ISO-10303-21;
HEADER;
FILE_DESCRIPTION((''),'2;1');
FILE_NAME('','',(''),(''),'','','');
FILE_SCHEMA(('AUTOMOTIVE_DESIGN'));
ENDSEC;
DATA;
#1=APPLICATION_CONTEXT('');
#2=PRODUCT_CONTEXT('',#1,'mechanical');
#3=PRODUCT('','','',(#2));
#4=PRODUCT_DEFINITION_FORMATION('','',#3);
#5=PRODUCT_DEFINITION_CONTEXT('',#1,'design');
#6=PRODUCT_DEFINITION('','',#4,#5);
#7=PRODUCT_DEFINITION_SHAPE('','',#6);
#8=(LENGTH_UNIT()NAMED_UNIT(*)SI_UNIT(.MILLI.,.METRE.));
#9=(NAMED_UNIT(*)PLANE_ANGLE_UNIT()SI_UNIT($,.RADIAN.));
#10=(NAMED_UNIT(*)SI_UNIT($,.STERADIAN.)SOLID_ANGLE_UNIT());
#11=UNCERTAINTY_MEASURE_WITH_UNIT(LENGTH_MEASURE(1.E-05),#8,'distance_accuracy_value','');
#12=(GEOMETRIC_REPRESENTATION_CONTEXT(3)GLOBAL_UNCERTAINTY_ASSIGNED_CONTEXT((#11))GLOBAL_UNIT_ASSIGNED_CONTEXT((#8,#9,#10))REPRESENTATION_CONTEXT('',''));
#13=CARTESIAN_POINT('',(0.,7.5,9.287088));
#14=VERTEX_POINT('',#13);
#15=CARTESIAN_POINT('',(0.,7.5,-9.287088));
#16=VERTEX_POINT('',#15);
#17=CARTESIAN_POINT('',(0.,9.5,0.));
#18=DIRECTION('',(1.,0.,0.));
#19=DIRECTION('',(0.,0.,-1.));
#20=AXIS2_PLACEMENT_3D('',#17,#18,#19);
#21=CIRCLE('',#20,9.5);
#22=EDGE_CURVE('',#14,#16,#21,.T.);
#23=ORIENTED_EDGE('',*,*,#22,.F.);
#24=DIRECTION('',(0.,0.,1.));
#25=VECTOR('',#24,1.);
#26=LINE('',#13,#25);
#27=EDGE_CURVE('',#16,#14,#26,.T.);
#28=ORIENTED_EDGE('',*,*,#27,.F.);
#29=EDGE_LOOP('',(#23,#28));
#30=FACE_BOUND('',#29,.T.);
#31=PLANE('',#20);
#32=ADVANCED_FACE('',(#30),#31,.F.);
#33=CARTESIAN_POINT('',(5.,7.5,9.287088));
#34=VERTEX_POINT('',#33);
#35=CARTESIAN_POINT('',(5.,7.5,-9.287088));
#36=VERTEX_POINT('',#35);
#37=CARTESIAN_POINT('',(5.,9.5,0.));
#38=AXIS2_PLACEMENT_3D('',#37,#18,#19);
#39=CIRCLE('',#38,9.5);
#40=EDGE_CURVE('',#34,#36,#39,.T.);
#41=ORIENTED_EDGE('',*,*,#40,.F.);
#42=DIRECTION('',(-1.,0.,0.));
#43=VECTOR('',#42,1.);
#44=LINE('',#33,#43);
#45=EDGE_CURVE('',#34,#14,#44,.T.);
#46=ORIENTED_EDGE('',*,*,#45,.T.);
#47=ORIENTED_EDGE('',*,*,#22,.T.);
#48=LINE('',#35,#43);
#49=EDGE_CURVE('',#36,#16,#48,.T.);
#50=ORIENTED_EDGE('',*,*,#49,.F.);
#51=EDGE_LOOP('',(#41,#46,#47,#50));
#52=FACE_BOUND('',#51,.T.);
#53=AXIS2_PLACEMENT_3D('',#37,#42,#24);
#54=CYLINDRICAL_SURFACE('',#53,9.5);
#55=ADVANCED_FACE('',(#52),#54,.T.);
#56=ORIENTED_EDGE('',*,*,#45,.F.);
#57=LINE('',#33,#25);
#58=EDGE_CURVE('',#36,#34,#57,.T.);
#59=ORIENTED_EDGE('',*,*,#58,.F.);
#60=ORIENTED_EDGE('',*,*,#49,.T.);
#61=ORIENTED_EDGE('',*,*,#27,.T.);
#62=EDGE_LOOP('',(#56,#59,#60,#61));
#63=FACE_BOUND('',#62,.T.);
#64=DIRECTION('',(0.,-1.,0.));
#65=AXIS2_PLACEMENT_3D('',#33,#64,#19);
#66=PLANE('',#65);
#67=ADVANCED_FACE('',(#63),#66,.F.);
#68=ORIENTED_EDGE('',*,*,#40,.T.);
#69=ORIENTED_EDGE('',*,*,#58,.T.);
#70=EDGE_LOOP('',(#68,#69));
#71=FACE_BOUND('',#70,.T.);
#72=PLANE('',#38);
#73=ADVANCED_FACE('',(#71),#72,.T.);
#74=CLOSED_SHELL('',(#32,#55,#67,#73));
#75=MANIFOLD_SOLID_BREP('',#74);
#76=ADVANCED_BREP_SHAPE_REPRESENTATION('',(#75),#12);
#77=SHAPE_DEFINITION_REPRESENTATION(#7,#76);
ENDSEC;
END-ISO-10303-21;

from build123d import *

# Parameters (mm, degrees)
EXTRUDE_1_DEPTH = 5


with BuildPart() as part:
    # Эскиз1 → Бобышка-Вытянуть1 (new body)
    with BuildSketch(Plane(origin=(0, 0, 0), x_dir=(0, 0, -1), z_dir=(1, 0, 0))):
        with BuildLine():
            Line((-9.287087811, 7.5), (9.287087811, 7.5))
            ThreePointArc((9.287087811, 7.5), (0, 0), (-9.287087811, 7.5))
        make_face()
    extrude(amount=EXTRUDE_1_DEPTH)


solid = part.part
